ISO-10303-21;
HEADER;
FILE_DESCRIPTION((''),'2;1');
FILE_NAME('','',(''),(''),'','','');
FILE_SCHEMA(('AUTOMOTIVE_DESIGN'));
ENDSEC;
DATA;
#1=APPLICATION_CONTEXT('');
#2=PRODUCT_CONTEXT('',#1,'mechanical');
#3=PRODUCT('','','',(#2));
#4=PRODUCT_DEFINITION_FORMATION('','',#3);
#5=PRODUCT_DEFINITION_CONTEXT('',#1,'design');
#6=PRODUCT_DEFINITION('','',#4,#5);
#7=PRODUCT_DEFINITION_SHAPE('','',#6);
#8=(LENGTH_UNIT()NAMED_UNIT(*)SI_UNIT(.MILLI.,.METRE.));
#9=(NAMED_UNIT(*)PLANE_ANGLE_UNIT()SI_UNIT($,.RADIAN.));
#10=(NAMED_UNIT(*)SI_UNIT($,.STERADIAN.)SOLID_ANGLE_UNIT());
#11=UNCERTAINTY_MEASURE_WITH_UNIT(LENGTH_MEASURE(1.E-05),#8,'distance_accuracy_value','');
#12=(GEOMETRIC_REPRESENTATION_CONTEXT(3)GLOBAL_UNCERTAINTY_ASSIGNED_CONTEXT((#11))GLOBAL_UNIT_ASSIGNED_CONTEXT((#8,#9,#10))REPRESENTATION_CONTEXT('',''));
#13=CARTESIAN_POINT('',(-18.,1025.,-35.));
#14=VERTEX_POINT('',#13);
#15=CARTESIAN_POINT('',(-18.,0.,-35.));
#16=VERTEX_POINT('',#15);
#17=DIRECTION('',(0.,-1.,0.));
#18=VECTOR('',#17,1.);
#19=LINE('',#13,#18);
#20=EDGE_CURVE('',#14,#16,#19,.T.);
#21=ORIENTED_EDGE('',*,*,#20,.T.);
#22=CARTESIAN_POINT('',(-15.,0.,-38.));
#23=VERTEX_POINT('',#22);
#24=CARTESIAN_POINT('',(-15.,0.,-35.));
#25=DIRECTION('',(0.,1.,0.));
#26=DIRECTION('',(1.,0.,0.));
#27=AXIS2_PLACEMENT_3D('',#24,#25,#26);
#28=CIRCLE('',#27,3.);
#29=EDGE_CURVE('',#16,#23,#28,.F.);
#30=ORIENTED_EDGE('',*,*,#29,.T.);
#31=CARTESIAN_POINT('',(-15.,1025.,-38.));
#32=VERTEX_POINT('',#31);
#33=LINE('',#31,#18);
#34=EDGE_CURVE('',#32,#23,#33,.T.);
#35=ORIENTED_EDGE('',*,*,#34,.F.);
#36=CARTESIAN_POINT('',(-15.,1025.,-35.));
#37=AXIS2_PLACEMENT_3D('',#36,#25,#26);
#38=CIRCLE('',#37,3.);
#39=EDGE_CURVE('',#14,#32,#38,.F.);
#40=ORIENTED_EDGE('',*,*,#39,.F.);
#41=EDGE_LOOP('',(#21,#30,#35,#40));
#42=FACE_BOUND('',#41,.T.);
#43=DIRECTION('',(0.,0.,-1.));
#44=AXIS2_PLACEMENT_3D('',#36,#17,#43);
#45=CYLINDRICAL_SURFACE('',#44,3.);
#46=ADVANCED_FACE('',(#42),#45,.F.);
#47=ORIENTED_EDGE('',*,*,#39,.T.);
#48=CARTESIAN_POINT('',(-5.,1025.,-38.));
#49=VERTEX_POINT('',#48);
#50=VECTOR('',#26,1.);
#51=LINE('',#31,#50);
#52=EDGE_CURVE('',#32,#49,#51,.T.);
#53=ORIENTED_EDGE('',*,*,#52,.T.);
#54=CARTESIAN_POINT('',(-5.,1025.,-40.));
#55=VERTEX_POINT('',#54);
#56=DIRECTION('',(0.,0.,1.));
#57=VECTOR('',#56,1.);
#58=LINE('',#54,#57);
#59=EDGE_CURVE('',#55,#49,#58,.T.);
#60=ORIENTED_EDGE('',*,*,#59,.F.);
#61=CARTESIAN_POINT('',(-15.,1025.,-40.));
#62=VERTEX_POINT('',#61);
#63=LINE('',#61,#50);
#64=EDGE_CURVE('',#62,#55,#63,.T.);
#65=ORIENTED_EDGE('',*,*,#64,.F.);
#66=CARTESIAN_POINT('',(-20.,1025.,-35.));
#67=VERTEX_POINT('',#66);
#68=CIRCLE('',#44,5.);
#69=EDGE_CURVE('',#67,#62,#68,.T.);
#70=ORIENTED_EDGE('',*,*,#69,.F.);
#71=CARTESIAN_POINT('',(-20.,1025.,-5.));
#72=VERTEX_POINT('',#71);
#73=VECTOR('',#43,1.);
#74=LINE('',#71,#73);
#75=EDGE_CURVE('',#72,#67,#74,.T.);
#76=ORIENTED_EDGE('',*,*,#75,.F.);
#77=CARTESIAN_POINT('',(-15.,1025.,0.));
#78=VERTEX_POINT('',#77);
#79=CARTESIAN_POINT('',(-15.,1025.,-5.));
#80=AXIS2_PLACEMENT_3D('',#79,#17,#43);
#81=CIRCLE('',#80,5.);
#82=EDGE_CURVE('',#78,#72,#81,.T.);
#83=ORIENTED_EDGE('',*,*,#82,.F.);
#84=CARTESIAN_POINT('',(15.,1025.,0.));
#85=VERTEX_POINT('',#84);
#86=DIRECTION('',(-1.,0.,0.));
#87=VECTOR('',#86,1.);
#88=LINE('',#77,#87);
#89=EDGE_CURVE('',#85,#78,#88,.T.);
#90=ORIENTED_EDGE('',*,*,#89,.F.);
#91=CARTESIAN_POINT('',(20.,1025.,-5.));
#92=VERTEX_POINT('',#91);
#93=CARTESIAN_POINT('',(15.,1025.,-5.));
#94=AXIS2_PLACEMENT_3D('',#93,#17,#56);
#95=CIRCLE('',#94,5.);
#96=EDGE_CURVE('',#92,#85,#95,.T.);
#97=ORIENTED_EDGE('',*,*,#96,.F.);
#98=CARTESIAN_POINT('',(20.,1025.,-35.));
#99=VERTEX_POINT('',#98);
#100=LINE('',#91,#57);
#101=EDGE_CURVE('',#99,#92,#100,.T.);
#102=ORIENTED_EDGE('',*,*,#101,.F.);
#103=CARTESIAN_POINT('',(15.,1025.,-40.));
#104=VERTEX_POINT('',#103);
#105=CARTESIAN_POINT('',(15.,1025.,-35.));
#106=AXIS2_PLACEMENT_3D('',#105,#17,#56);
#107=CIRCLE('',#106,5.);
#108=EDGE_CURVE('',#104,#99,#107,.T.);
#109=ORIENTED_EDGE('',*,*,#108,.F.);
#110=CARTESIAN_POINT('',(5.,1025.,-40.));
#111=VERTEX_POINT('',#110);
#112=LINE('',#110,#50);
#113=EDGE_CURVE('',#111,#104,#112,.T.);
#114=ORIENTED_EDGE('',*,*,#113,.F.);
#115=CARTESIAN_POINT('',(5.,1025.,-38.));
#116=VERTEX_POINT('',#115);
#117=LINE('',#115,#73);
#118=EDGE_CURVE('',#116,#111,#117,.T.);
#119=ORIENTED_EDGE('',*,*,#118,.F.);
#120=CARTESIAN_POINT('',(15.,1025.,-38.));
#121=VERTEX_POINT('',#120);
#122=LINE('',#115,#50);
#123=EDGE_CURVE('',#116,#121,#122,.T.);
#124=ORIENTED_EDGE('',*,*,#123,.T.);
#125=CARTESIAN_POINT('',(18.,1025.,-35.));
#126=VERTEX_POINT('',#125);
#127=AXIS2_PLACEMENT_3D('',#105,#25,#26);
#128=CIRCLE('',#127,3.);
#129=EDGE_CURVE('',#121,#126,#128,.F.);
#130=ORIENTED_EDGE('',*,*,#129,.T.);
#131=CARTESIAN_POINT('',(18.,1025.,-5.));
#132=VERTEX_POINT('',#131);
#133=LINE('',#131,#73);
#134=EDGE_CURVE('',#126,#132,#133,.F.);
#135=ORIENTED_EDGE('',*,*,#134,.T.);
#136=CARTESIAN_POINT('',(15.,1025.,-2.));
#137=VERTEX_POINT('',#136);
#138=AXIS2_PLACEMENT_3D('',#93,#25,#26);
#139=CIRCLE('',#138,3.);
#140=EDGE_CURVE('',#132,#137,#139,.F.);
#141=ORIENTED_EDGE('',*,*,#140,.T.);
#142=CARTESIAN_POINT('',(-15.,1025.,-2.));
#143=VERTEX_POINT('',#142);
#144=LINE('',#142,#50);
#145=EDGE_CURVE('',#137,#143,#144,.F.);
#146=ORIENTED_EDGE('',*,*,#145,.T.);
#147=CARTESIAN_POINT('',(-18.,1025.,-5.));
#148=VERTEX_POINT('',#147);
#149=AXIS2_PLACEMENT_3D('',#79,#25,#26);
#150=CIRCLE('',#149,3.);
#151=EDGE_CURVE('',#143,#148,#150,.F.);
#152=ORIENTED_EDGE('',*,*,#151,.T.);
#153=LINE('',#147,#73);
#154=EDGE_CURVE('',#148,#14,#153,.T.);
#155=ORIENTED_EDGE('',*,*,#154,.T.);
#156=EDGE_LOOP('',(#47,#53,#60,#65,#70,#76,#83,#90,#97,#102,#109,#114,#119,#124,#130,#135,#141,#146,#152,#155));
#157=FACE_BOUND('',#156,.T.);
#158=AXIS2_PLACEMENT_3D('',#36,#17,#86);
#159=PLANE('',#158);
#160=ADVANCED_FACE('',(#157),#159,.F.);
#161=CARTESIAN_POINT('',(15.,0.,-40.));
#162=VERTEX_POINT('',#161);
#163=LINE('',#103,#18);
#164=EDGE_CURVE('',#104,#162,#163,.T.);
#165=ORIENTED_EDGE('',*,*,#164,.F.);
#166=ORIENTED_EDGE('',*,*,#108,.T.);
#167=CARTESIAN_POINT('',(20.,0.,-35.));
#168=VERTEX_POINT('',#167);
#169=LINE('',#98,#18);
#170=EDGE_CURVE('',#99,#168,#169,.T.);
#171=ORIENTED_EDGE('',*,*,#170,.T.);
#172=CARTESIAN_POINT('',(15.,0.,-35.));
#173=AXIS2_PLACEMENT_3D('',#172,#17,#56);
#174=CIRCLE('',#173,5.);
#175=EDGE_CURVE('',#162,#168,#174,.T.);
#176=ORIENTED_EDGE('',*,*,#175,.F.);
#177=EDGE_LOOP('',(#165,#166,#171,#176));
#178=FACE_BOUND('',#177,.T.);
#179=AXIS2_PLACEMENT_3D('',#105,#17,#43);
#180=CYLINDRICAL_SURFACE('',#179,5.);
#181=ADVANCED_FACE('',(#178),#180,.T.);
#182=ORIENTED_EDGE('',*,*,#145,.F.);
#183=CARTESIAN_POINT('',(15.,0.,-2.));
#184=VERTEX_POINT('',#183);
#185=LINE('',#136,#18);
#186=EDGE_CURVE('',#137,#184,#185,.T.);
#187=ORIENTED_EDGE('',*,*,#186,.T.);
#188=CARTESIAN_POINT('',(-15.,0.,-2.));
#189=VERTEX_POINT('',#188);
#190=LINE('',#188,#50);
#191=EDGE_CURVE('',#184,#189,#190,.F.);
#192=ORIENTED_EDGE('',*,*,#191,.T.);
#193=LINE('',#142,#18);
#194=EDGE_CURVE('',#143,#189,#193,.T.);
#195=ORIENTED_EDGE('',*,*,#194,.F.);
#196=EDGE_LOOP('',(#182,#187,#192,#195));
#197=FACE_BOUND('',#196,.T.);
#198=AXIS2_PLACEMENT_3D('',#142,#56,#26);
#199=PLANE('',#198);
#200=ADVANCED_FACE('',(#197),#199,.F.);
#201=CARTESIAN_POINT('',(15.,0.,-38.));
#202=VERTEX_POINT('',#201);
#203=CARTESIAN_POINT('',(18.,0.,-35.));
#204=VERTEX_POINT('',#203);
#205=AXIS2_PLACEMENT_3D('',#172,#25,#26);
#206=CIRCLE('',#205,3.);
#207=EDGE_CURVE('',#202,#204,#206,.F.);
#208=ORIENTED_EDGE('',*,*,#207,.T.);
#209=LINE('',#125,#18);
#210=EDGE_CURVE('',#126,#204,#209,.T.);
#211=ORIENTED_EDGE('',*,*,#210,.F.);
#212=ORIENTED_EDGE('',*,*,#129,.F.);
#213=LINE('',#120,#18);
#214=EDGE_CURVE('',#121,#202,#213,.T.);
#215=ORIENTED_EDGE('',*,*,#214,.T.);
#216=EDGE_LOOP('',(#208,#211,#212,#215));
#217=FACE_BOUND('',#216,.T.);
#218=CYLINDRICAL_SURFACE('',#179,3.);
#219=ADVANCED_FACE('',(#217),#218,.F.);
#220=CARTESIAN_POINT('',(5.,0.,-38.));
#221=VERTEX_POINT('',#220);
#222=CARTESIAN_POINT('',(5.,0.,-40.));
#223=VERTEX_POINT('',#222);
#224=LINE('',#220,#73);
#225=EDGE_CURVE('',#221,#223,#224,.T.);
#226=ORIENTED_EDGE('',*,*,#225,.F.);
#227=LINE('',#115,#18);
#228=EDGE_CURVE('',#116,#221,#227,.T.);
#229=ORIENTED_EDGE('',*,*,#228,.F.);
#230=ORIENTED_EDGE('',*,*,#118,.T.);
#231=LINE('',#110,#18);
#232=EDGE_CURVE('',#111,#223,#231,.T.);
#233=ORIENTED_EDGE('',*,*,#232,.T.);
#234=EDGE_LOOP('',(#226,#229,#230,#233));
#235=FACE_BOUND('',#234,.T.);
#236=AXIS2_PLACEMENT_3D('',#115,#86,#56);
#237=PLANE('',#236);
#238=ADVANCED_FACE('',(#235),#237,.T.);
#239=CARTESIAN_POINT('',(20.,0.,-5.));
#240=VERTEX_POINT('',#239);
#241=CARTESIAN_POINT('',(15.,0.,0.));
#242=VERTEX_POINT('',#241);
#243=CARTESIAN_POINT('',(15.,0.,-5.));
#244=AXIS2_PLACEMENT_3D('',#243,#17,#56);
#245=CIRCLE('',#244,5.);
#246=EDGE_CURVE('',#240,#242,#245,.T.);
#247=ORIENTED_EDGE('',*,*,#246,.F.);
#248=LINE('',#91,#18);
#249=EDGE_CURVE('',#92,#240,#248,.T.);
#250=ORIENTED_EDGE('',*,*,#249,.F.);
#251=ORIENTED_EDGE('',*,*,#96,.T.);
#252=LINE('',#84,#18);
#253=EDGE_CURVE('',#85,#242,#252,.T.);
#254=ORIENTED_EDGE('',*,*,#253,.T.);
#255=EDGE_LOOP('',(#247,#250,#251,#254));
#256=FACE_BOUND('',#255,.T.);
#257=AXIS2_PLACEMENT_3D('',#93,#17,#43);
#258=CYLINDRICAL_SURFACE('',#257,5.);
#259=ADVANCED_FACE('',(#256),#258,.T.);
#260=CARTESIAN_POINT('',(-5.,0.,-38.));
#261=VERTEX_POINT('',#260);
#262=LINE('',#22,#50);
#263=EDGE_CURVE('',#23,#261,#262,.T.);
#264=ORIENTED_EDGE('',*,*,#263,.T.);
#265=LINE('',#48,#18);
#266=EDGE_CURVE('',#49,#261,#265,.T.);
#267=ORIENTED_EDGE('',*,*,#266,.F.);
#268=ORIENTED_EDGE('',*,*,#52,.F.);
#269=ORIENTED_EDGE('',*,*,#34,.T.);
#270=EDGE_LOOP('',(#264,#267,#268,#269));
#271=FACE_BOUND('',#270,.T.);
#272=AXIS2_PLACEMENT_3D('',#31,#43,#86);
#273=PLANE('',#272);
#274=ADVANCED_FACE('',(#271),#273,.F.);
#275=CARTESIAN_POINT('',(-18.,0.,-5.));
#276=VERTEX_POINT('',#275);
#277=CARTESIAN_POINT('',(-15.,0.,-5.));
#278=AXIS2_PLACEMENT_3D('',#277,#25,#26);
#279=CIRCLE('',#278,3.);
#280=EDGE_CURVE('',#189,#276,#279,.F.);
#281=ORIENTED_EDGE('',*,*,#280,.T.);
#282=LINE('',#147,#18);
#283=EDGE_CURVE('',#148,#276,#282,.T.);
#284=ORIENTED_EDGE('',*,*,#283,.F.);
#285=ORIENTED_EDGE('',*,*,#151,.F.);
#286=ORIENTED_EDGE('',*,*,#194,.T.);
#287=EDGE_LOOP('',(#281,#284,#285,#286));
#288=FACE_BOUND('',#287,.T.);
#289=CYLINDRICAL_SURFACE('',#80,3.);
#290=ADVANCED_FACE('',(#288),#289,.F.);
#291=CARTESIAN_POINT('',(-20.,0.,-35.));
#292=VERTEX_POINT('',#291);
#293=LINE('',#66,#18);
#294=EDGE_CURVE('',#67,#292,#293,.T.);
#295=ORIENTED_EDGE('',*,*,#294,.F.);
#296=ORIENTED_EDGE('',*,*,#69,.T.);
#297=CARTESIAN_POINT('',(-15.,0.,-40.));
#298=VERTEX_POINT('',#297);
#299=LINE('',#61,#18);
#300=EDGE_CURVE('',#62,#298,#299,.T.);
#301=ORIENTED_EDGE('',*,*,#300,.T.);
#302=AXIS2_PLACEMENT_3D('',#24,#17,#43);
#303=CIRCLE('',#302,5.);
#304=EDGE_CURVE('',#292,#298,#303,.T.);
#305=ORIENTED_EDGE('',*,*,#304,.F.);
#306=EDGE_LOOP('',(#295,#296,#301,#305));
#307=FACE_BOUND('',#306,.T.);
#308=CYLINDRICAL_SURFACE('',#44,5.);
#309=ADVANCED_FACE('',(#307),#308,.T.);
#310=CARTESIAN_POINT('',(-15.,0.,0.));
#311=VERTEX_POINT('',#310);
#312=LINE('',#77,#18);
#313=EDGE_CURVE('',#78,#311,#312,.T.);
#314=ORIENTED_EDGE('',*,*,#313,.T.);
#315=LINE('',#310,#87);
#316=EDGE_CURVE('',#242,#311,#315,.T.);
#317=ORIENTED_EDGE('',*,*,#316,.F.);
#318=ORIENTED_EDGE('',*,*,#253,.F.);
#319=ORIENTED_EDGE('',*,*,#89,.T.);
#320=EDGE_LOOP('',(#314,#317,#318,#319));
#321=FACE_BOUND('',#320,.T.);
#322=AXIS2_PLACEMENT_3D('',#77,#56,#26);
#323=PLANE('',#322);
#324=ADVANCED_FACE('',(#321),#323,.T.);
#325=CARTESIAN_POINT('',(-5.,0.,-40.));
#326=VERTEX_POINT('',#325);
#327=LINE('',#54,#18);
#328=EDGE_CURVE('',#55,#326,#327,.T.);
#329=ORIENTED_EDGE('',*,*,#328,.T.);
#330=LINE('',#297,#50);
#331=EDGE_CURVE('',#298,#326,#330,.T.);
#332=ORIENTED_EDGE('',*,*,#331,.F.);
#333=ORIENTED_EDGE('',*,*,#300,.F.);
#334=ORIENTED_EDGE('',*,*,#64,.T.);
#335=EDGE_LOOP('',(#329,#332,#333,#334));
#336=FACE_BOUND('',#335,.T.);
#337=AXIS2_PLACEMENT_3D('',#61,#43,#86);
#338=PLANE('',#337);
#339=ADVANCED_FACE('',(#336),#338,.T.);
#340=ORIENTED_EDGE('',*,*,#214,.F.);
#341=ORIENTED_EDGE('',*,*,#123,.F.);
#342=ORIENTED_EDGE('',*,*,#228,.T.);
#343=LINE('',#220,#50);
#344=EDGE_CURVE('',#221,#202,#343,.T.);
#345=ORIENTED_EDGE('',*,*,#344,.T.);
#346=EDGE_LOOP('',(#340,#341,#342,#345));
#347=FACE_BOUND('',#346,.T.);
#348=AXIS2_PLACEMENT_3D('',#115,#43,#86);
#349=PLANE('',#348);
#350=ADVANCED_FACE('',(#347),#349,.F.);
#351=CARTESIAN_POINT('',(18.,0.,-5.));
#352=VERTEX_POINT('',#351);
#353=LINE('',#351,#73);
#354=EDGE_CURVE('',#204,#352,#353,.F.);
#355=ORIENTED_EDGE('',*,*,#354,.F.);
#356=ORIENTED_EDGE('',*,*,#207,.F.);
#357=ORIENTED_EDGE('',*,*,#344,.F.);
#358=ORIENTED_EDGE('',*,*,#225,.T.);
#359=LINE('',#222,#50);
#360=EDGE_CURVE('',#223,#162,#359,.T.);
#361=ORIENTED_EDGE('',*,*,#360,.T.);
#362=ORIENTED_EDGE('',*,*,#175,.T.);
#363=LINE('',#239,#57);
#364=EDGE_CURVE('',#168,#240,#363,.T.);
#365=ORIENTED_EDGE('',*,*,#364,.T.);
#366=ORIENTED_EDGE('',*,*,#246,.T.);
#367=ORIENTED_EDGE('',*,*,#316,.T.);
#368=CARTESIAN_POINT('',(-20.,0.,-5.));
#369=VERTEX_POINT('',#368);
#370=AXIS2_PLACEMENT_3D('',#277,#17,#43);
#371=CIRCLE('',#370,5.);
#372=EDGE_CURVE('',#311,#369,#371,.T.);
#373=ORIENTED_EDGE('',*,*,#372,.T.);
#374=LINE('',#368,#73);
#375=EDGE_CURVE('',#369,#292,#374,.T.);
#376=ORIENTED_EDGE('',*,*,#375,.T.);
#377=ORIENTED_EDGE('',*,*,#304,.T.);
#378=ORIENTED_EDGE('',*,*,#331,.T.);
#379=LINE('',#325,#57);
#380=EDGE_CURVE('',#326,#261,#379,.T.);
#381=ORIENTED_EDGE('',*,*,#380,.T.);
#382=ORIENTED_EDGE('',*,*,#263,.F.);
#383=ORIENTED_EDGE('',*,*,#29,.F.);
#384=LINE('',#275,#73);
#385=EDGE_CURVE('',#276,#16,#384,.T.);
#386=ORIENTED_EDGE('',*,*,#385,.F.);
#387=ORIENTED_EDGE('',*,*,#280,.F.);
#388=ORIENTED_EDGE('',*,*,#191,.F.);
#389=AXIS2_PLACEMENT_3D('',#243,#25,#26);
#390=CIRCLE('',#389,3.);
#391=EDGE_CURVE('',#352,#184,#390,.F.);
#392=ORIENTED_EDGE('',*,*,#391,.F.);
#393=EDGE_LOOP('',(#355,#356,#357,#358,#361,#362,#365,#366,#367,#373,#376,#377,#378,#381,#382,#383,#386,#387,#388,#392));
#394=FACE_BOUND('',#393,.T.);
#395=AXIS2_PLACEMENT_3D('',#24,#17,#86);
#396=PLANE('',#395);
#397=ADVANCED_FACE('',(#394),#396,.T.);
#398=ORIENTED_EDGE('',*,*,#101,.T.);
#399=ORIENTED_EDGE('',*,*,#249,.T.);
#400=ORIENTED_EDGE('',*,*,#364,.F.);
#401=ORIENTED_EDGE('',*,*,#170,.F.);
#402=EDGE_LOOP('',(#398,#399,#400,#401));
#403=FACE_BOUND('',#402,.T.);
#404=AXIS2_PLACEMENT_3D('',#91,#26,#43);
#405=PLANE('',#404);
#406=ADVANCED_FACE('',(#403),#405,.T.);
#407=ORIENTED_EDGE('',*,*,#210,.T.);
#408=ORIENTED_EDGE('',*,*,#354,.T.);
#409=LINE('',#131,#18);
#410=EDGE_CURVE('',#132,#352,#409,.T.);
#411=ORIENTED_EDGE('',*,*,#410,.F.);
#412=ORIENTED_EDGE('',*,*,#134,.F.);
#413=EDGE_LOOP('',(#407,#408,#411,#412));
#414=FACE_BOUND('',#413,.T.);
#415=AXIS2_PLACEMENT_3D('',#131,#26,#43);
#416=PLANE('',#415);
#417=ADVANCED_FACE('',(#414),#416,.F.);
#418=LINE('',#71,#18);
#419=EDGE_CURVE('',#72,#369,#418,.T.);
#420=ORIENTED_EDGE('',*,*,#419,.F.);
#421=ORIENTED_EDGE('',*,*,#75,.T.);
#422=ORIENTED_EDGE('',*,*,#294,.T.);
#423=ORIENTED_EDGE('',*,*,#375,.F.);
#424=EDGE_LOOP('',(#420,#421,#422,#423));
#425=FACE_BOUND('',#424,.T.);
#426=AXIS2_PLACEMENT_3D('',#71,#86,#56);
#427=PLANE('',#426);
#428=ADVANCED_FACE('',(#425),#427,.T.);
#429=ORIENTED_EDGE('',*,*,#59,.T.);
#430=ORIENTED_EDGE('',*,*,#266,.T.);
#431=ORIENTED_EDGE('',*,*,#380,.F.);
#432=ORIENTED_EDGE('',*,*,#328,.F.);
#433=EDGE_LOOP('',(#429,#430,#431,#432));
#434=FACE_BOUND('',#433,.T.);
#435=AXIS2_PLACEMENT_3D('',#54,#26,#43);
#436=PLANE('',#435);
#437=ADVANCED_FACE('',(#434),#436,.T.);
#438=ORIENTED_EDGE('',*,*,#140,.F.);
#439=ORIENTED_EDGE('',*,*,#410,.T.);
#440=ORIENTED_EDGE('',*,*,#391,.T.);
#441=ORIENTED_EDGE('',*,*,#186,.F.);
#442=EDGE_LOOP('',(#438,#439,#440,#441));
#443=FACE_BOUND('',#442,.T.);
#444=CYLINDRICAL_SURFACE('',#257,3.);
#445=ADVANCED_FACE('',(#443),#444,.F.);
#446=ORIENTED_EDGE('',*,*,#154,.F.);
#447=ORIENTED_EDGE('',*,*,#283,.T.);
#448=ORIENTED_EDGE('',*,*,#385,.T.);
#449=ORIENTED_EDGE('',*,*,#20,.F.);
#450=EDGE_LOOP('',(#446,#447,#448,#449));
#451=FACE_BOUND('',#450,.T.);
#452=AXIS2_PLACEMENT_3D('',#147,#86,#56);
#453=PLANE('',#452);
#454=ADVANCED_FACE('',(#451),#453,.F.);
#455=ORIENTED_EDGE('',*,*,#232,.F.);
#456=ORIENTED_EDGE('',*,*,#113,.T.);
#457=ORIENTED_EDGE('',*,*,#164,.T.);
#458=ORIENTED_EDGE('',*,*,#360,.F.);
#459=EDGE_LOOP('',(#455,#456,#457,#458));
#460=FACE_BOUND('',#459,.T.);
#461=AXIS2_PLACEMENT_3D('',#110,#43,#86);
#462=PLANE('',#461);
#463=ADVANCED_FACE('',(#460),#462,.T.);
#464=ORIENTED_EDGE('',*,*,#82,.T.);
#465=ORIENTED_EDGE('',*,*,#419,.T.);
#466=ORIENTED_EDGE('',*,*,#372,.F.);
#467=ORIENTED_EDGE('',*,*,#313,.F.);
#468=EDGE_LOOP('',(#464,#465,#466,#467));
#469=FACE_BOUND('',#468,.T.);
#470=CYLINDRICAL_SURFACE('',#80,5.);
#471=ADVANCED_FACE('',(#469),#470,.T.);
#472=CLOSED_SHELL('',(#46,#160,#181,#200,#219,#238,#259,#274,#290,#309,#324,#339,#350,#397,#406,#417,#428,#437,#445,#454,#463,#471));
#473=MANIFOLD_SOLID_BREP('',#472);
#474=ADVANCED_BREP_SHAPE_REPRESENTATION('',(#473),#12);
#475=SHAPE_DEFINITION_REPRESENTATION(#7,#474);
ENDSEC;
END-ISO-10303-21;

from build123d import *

# Parameters (mm, degrees)
EXTRUDE_1_DEPTH = 1025


with BuildPart() as part:
    # Эскиз1 → Вытянуть-Тонкостенный1 (new body)
    with BuildSketch(Plane(origin=(0, 0, 0), x_dir=(1, 0, 0), z_dir=(0, 1, 0))):
        with BuildLine():
            Line((-5, 40), (-15, 40))
            ThreePointArc((-15, 40), (-18.535533906, 38.535533906), (-20, 35))
            Line((-20, 35), (-20, 5))
            ThreePointArc((-20, 5), (-18.535533906, 1.464466094), (-15, 0))
            Line((-15, 0), (15, 0))
            ThreePointArc((15, 0), (18.535533906, 1.464466094), (20, 5))
            Line((20, 5), (20, 35))
            ThreePointArc((20, 35), (18.535533906, 38.535533906), (15, 40))
            Line((15, 40), (5, 40))
            Line((5, 40), (5, 38))
            Line((5, 38), (15, 38))
            ThreePointArc((15, 38), (17.121320344, 37.121320344), (18, 35))
            Line((18, 35), (18, 5))
            ThreePointArc((18, 5), (17.121320344, 2.878679656), (15, 2))
            Line((15, 2), (-15, 2))
            ThreePointArc((-15, 2), (-17.121320344, 2.878679656), (-18, 5))
            Line((-18, 5), (-18, 35))
            ThreePointArc((-18, 35), (-17.121320344, 37.121320344), (-15, 38))
            Line((-15, 38), (-5, 38))
            Line((-5, 38), (-5, 40))
        make_face()
    extrude(amount=EXTRUDE_1_DEPTH)


solid = part.part
